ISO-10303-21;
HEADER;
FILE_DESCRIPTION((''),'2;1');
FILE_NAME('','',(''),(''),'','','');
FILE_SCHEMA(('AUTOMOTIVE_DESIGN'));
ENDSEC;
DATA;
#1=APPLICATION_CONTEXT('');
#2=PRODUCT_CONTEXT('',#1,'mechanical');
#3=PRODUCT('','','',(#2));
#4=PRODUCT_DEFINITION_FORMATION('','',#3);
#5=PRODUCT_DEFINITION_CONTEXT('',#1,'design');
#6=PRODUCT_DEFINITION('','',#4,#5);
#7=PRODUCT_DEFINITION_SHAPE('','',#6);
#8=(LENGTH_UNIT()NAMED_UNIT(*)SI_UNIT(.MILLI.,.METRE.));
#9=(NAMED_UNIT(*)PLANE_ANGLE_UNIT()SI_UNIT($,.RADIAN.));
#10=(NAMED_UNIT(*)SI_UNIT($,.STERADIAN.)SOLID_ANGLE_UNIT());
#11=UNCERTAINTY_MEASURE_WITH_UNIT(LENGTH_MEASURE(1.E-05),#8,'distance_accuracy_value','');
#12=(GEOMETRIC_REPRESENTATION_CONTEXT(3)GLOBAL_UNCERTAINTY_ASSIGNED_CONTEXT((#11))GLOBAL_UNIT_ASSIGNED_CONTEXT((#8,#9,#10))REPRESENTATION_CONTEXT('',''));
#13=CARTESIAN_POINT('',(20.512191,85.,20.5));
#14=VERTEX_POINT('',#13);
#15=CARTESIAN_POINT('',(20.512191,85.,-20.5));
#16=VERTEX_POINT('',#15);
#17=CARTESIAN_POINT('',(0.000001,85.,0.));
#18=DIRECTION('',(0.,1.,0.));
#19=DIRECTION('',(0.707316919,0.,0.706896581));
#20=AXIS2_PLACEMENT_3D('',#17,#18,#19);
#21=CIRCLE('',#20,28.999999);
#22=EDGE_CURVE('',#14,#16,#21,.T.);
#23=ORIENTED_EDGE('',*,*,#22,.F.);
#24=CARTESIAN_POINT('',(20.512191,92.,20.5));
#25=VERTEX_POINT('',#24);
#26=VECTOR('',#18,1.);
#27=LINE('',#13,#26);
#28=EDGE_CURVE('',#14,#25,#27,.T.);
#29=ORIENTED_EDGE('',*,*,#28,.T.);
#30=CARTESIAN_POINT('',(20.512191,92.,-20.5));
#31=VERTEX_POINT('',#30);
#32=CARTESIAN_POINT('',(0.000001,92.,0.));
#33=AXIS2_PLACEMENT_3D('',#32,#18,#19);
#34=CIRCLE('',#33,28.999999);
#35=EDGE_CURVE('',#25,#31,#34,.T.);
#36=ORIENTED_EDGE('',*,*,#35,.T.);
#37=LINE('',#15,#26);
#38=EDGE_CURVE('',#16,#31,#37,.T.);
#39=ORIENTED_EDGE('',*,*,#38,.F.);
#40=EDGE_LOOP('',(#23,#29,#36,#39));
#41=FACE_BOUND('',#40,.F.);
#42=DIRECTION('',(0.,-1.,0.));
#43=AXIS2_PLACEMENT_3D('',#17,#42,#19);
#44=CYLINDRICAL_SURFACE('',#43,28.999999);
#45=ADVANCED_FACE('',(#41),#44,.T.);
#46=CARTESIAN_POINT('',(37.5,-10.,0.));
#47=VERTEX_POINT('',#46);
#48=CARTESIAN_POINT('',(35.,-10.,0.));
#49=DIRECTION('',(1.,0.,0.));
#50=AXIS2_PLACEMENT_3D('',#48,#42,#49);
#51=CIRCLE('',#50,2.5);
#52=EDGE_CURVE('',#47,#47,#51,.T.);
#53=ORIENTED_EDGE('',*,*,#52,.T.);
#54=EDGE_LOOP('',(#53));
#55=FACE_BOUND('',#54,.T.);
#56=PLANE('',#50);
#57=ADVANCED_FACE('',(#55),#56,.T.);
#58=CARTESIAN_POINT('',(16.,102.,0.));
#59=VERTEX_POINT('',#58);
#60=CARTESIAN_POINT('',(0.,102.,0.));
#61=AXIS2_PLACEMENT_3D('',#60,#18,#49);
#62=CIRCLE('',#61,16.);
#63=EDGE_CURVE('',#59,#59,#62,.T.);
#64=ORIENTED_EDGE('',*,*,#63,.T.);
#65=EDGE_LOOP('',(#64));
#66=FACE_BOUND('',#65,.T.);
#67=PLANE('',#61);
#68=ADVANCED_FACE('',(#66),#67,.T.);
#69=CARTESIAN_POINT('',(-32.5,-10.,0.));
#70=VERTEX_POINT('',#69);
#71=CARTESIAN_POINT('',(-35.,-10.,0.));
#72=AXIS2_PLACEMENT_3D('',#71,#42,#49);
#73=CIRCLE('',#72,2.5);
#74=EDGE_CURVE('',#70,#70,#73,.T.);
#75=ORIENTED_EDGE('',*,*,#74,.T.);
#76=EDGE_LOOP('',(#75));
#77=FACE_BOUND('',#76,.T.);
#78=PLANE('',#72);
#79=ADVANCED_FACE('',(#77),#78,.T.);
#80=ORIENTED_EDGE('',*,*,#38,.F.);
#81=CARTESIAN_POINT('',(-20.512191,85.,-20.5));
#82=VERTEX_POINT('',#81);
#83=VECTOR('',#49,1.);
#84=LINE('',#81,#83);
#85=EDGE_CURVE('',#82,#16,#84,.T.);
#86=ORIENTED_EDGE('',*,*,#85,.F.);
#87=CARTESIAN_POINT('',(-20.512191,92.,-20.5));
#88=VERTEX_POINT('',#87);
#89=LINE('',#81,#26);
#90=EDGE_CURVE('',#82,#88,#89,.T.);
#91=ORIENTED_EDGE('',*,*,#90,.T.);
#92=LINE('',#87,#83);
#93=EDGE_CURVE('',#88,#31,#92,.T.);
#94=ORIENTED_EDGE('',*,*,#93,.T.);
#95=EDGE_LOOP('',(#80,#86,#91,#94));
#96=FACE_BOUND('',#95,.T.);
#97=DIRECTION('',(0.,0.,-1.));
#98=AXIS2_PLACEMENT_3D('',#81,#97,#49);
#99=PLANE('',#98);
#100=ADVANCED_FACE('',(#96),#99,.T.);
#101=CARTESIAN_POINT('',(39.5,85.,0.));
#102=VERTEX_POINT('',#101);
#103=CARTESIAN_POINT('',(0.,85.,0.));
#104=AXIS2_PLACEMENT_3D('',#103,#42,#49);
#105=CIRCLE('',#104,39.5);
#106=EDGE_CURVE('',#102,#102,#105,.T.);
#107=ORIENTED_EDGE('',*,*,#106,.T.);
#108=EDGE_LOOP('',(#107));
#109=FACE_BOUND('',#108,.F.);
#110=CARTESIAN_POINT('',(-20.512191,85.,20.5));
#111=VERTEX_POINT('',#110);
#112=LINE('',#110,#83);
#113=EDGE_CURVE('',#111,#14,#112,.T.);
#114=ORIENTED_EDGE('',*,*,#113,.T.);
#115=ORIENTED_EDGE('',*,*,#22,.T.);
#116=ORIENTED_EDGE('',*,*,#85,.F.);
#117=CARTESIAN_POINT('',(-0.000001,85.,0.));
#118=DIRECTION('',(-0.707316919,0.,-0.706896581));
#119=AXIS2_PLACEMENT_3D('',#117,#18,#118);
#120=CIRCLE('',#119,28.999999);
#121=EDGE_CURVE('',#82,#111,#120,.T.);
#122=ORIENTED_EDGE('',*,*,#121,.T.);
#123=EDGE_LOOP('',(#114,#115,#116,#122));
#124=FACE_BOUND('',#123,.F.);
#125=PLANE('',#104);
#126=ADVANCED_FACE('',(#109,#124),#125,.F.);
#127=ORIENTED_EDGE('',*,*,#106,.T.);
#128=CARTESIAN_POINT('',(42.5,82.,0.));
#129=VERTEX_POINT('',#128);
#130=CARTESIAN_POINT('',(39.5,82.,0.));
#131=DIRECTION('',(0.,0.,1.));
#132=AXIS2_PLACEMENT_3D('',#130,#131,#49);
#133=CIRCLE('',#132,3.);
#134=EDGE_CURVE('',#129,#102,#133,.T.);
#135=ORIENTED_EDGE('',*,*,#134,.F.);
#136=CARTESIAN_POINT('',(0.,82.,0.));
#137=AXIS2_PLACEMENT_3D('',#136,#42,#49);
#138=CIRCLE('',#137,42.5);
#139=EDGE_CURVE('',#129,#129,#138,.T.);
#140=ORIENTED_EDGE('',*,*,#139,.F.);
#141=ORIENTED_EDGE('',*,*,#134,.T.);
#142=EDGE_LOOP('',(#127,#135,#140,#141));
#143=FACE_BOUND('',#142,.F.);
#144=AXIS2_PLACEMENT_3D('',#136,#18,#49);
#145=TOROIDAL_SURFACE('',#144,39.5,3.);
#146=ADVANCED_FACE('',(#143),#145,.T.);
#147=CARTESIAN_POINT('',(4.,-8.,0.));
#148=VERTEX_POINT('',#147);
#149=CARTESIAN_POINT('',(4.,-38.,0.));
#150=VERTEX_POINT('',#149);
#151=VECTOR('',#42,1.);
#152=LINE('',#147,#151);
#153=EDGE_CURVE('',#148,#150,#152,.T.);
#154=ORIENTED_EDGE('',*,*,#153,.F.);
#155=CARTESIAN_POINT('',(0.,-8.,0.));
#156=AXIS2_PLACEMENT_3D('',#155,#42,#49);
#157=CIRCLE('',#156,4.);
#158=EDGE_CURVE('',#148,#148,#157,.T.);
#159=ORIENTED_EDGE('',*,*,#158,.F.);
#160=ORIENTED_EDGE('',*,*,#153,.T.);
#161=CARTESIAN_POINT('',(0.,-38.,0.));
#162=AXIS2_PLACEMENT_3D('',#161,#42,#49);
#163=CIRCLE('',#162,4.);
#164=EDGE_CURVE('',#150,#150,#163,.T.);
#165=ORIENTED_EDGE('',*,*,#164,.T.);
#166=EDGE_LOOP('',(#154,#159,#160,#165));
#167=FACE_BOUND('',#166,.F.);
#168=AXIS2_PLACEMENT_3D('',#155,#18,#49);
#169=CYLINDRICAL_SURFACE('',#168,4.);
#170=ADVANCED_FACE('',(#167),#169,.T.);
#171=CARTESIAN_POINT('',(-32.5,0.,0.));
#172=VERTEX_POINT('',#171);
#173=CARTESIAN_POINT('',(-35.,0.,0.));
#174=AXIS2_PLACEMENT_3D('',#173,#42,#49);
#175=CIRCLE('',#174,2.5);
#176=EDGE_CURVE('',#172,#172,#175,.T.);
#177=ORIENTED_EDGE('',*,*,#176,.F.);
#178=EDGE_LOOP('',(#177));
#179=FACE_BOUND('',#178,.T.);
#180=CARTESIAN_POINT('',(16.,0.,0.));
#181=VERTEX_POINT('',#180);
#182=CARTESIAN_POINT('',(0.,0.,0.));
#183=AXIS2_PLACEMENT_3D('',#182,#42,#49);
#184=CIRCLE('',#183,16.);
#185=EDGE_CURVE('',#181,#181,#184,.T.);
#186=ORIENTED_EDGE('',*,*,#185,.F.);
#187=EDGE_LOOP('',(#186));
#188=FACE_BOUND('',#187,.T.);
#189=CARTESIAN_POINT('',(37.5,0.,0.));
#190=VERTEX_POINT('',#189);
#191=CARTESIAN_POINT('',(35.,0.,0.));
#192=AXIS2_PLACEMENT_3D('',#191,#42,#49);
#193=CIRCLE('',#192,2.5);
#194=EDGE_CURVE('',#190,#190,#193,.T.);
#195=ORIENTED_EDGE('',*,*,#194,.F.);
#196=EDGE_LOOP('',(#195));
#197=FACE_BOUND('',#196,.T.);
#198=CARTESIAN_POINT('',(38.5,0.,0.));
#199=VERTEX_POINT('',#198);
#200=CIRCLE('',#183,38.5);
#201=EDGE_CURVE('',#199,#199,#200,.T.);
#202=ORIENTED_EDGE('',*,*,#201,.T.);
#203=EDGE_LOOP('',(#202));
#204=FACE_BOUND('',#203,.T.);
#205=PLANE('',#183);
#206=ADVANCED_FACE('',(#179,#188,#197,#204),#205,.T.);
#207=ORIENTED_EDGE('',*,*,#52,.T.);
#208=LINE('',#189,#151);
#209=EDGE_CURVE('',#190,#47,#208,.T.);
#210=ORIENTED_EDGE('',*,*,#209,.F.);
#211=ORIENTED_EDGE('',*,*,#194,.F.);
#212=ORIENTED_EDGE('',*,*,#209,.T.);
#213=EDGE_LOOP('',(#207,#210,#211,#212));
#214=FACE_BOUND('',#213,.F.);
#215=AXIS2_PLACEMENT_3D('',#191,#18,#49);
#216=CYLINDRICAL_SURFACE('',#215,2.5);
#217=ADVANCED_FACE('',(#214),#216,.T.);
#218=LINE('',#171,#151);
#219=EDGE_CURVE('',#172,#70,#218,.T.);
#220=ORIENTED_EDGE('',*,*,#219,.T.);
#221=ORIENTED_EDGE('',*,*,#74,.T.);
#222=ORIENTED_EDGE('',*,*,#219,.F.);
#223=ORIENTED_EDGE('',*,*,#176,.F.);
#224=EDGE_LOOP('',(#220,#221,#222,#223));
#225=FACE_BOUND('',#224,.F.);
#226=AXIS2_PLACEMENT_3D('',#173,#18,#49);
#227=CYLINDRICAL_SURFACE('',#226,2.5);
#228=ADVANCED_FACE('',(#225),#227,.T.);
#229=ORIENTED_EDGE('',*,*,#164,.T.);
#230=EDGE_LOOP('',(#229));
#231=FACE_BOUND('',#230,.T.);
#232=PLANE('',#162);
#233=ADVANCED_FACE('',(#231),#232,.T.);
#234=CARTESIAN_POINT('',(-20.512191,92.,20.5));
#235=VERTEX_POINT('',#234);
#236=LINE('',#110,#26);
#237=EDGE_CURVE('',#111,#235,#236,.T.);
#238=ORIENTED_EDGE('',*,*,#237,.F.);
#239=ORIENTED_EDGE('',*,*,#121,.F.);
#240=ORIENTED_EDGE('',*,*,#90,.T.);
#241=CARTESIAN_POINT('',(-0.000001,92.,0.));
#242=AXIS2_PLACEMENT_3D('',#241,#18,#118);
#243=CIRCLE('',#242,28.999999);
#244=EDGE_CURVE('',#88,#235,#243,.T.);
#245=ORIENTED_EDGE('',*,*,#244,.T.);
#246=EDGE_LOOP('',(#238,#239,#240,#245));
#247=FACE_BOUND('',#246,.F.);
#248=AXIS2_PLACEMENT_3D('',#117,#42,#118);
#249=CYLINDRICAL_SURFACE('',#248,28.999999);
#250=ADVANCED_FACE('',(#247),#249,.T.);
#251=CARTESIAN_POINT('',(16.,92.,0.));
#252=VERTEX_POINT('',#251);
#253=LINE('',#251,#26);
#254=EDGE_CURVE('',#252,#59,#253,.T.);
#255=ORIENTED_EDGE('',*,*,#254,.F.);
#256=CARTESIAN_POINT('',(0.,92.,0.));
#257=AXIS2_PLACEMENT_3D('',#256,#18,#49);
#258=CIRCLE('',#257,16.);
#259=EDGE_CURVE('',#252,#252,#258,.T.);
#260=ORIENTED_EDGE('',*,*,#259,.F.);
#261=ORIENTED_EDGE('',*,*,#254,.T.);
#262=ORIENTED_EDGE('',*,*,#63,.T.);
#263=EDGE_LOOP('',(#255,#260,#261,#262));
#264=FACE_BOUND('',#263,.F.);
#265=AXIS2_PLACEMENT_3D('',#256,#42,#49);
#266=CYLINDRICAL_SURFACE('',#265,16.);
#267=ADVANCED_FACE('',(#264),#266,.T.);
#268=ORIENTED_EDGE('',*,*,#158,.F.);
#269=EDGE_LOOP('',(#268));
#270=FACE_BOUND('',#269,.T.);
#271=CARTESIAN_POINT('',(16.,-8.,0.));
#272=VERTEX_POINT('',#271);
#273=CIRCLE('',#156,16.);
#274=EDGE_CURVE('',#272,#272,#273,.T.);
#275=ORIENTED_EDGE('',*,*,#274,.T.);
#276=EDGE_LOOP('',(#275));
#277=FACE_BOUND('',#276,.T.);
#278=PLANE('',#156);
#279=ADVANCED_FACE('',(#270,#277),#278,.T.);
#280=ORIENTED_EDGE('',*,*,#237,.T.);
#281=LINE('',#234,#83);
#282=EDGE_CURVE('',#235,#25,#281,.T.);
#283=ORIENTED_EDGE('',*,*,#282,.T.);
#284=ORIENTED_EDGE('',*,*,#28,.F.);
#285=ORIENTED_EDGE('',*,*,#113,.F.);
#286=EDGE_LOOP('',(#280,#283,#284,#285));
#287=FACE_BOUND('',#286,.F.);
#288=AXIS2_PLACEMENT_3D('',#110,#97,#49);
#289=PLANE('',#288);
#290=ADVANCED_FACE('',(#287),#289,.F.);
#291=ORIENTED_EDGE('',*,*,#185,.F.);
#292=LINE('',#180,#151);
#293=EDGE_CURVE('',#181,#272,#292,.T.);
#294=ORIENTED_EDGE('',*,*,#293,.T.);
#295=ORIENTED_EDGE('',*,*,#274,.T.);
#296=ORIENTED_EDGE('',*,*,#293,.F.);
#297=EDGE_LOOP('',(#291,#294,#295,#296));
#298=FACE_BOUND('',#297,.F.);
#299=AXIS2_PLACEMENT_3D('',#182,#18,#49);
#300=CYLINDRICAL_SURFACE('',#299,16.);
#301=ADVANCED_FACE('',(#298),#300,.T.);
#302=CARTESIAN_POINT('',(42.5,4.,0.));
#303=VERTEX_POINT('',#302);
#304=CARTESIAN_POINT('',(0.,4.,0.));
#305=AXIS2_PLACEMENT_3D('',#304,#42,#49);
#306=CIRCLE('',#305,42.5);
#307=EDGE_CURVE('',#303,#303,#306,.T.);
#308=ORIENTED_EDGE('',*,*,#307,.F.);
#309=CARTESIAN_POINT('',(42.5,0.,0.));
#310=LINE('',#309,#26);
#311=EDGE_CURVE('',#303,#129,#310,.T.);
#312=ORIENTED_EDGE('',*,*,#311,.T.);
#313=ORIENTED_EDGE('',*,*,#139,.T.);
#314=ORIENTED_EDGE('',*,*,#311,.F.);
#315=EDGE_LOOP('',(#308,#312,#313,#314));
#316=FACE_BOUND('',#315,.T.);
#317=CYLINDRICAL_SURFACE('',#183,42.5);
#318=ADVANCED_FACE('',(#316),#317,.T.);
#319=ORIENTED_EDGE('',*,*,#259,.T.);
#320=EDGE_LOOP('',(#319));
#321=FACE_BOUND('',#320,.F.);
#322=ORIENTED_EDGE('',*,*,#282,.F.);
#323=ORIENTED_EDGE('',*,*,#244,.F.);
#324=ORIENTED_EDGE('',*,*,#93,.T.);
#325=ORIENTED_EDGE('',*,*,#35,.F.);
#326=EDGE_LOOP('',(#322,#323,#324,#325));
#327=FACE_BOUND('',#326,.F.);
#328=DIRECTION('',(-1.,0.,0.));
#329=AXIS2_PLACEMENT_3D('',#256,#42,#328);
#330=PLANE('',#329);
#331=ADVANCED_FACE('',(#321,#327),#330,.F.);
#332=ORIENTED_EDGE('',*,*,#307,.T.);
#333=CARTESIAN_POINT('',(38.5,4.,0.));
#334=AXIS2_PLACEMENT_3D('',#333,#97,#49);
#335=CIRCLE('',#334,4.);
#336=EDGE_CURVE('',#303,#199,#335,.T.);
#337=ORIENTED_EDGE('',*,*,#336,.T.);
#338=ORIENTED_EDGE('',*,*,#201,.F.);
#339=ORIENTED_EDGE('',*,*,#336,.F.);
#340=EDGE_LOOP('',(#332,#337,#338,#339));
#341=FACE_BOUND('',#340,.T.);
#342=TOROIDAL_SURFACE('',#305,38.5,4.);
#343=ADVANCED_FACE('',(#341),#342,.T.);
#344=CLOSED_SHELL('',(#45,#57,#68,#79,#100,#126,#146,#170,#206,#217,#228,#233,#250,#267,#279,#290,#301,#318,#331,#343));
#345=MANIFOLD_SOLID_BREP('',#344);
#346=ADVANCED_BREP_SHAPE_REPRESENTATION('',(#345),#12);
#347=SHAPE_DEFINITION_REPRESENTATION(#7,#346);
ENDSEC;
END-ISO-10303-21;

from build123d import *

# Parameters (mm, degrees)
SKETCH005_R  = 42.5
PAD005_DEPTH = 85
FILLET_R     = 4
FILLET001_R  = 3
SKETCH006_R  = 16
PAD006_DEPTH = 8
SKETCH007_R  = 4
PAD007_DEPTH = 30
SKETCH008_R  = 2.5
PAD008_DEPTH = 10
PAD009_DEPTH = 7
SKETCH010_R  = 16
PAD010_DEPTH = 10


with BuildPart() as part:
    # Sketch005 → Pad005 (new body)
    with BuildSketch(Plane.XZ):
        Circle(SKETCH005_R)
    extrude(amount=-PAD005_DEPTH)

    # Fillet
    fillet_edges = [part.edges().sort_by_distance(p)[0] for p in [
        (-42.5, 0, 0),
    ]]
    fillet(fillet_edges, radius=FILLET_R)

    # Fillet001
    fillet001_edges = [part.edges().sort_by_distance(p)[0] for p in [
        (-42.5, 85, 0),
    ]]
    fillet(fillet001_edges, radius=FILLET001_R)

    # Sketch006 (on Face5 of Fillet001) → Pad006 (new body)
    with BuildSketch(Plane.XZ):
        Circle(SKETCH006_R)
    extrude(amount=PAD006_DEPTH)

    # Sketch007 (on Face7 of Pad006) → Pad007 (new body)
    with BuildSketch(Plane.XZ.offset(8)):
        Circle(SKETCH007_R)
    extrude(amount=PAD007_DEPTH)

    # Sketch008 (on Face5 of Pad007) → Pad008 (new body)
    with BuildSketch(Plane.XZ):
        with Locations((-35, 0)):
            Circle(SKETCH008_R)
        with Locations((35, 0)):
            Circle(SKETCH008_R)
    extrude(amount=PAD008_DEPTH)

    # Sketch009 (on Face4 of Pad008) → Pad009 (new body)
    with BuildSketch(Plane(origin=(0, 85, 0), x_dir=(1, 0, 0), z_dir=(0, 1, 0))):
        with BuildLine():
            Line((-20.512191, 20.5), (20.512191, 20.5))
            ThreePointArc((20.512191, -20.5), (29, 0), (20.512191, 20.5))
            Line((-20.512191, -20.5), (20.512191, -20.5))
            ThreePointArc((-20.512191, 20.5), (-29, 0), (-20.512191, -20.5))
        make_face()
    extrude(amount=PAD009_DEPTH)

    # Sketch010 (on Face13 of Pad009) → Pad010 (new body)
    with BuildSketch(Plane(origin=(0, 92, 0), x_dir=(1, 0, 0), z_dir=(0, 1, 0))):
        Circle(SKETCH010_R)
    extrude(amount=PAD010_DEPTH)


solid = part.part
